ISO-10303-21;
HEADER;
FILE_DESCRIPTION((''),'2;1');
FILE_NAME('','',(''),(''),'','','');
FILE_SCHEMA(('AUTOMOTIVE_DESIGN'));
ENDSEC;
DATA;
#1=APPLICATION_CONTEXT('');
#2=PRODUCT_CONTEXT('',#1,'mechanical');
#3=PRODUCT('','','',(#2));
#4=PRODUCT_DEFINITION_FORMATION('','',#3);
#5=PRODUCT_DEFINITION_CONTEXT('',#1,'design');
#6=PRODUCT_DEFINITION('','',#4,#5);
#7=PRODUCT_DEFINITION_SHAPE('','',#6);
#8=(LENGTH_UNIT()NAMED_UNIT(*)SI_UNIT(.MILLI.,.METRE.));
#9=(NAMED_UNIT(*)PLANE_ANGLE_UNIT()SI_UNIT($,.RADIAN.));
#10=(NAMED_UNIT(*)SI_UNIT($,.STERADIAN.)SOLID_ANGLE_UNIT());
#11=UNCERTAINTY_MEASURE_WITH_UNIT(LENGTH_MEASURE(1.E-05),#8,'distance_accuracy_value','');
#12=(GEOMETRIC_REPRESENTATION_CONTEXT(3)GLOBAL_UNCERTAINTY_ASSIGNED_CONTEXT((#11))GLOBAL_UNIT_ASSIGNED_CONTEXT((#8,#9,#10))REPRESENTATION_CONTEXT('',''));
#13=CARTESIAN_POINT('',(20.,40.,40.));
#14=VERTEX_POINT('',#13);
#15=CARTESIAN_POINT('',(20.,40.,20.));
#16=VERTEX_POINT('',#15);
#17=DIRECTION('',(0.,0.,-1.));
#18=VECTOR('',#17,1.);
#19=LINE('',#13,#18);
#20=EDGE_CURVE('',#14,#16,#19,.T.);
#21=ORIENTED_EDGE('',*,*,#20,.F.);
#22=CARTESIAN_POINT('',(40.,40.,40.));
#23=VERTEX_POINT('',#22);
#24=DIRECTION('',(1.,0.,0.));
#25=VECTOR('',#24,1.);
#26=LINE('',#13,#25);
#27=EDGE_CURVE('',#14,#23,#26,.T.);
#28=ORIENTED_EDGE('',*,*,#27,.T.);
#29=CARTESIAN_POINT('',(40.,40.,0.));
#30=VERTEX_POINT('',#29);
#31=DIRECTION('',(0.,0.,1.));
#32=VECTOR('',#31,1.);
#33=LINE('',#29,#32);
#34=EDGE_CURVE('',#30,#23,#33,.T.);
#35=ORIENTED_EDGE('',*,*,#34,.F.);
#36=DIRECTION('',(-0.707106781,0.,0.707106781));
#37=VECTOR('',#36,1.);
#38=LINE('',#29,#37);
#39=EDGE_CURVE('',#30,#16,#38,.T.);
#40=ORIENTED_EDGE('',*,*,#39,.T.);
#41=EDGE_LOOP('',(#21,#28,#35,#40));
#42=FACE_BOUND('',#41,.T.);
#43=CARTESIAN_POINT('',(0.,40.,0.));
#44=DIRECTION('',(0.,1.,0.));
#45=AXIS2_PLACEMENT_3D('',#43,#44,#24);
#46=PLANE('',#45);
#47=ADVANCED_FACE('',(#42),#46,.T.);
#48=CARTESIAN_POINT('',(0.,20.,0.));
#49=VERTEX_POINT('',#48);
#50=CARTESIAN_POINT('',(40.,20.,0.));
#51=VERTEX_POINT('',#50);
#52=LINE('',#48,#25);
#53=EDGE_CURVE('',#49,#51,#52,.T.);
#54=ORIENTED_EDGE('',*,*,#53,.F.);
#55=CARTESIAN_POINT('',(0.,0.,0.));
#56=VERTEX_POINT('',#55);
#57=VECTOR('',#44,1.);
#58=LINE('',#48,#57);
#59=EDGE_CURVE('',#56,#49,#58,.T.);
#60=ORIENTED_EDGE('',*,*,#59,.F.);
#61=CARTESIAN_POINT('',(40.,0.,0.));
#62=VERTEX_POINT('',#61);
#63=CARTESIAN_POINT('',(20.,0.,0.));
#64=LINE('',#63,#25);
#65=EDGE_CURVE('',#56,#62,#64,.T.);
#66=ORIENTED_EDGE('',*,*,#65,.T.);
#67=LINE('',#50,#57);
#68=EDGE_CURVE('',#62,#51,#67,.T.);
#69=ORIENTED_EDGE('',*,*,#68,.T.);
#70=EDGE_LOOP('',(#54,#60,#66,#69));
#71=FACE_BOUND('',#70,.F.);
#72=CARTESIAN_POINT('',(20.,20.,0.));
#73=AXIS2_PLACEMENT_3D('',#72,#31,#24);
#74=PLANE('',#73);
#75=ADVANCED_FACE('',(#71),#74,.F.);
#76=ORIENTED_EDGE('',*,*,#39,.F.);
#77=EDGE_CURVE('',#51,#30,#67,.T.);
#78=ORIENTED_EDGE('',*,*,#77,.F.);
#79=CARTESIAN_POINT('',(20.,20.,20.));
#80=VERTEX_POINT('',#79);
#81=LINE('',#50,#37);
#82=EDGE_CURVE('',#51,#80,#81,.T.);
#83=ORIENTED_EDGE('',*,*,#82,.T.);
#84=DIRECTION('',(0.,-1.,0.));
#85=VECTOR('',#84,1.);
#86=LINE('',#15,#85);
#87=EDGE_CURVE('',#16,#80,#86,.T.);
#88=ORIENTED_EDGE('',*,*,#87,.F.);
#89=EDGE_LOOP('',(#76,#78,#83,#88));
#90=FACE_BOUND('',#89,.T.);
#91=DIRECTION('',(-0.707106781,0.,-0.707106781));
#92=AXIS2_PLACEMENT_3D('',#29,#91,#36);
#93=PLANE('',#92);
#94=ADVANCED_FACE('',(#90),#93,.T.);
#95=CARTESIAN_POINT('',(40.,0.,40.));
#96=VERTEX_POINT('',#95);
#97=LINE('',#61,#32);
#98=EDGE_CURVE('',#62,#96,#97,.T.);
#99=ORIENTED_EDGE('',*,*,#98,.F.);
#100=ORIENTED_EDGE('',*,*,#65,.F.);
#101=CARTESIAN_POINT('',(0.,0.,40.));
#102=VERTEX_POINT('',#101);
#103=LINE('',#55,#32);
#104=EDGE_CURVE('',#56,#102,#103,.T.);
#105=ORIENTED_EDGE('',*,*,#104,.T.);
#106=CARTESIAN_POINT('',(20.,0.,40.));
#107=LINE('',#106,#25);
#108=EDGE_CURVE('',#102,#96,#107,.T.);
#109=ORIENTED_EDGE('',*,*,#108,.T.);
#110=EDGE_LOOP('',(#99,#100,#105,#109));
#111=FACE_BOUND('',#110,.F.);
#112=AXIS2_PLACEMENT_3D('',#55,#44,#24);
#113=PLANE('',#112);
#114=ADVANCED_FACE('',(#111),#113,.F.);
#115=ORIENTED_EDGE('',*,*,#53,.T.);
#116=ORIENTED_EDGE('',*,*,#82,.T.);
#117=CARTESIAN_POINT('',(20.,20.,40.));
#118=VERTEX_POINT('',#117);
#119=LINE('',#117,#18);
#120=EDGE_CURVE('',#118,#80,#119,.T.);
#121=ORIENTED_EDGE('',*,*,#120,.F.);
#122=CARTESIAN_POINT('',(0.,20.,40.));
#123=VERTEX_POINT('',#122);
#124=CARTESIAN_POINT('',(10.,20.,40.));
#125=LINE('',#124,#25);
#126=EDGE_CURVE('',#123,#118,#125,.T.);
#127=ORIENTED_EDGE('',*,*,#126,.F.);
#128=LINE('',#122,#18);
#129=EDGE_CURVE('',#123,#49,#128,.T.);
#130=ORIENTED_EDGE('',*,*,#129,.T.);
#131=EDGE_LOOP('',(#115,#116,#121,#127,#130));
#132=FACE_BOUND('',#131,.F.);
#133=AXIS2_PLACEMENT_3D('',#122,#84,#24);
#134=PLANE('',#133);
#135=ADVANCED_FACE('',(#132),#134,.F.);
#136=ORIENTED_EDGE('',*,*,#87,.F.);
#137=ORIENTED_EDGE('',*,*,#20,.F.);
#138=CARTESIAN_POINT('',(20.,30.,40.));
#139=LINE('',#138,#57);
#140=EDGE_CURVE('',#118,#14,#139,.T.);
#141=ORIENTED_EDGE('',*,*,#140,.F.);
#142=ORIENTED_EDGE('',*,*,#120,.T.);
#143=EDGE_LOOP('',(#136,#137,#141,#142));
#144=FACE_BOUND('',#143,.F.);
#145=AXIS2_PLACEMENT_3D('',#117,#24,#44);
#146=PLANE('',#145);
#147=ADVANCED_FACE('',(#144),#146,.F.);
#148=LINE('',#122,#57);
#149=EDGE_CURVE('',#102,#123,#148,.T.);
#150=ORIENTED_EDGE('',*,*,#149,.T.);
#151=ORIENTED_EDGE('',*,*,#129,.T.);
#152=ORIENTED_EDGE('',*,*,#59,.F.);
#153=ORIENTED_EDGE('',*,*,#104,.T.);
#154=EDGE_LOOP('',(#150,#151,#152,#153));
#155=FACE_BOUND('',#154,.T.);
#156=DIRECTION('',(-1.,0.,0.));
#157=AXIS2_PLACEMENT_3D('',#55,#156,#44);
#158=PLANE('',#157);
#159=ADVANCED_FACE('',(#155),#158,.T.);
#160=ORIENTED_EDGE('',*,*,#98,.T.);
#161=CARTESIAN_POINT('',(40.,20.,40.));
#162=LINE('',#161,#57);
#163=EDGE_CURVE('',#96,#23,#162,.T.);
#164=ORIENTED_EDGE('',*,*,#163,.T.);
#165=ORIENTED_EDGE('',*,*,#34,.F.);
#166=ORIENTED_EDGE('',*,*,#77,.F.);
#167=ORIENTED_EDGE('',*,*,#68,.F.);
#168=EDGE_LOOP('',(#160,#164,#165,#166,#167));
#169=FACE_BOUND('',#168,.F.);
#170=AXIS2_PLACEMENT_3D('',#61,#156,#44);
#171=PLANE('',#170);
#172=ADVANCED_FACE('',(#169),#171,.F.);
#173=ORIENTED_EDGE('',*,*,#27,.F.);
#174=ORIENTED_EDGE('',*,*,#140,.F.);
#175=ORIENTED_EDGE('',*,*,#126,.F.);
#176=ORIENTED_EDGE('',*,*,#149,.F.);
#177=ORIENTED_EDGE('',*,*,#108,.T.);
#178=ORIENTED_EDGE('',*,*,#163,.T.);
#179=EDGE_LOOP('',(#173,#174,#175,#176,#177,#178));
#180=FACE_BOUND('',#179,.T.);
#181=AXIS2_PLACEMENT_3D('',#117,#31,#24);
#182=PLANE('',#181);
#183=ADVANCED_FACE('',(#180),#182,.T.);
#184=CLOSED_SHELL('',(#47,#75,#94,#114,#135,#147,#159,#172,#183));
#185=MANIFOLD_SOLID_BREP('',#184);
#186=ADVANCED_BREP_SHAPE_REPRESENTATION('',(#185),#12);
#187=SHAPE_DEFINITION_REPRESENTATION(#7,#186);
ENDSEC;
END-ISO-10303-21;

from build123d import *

# Parameters (mm, degrees)
SKETCH1_W           = 40
SKETCH1_H           = 40
BOSS_EXTRUDE1_DEPTH = 40
SKETCH2_W           = 20
SKETCH2_H           = 20
CUT_EXTRUDE1_DEPTH  = 40
CUT_EXTRUDE2_DEPTH  = 20


with BuildPart() as part:
    # Sketch1 → Boss-Extrude1 (new body)
    with BuildSketch(Plane.XY):
        with Locations((20, 20)):
            Rectangle(SKETCH1_W, SKETCH1_H)
    extrude(amount=BOSS_EXTRUDE1_DEPTH)

    # Sketch2 → Cut-Extrude1 (cut)
    with BuildSketch(Plane.XY.offset(40)):
        with Locations((10, 30)):
            Rectangle(SKETCH2_W, SKETCH2_H)
    extrude(amount=-CUT_EXTRUDE1_DEPTH, mode=Mode.SUBTRACT)

    # Sketch3 → Cut-Extrude2 (cut)
    with BuildSketch(Plane(origin=(0, 40, 0), x_dir=(1, 0, 0), z_dir=(0, 1, 0))):
        Polygon((40, 0), (20, -20), (20, 0), align=None)
    extrude(amount=-CUT_EXTRUDE2_DEPTH, mode=Mode.SUBTRACT)


solid = part.part
